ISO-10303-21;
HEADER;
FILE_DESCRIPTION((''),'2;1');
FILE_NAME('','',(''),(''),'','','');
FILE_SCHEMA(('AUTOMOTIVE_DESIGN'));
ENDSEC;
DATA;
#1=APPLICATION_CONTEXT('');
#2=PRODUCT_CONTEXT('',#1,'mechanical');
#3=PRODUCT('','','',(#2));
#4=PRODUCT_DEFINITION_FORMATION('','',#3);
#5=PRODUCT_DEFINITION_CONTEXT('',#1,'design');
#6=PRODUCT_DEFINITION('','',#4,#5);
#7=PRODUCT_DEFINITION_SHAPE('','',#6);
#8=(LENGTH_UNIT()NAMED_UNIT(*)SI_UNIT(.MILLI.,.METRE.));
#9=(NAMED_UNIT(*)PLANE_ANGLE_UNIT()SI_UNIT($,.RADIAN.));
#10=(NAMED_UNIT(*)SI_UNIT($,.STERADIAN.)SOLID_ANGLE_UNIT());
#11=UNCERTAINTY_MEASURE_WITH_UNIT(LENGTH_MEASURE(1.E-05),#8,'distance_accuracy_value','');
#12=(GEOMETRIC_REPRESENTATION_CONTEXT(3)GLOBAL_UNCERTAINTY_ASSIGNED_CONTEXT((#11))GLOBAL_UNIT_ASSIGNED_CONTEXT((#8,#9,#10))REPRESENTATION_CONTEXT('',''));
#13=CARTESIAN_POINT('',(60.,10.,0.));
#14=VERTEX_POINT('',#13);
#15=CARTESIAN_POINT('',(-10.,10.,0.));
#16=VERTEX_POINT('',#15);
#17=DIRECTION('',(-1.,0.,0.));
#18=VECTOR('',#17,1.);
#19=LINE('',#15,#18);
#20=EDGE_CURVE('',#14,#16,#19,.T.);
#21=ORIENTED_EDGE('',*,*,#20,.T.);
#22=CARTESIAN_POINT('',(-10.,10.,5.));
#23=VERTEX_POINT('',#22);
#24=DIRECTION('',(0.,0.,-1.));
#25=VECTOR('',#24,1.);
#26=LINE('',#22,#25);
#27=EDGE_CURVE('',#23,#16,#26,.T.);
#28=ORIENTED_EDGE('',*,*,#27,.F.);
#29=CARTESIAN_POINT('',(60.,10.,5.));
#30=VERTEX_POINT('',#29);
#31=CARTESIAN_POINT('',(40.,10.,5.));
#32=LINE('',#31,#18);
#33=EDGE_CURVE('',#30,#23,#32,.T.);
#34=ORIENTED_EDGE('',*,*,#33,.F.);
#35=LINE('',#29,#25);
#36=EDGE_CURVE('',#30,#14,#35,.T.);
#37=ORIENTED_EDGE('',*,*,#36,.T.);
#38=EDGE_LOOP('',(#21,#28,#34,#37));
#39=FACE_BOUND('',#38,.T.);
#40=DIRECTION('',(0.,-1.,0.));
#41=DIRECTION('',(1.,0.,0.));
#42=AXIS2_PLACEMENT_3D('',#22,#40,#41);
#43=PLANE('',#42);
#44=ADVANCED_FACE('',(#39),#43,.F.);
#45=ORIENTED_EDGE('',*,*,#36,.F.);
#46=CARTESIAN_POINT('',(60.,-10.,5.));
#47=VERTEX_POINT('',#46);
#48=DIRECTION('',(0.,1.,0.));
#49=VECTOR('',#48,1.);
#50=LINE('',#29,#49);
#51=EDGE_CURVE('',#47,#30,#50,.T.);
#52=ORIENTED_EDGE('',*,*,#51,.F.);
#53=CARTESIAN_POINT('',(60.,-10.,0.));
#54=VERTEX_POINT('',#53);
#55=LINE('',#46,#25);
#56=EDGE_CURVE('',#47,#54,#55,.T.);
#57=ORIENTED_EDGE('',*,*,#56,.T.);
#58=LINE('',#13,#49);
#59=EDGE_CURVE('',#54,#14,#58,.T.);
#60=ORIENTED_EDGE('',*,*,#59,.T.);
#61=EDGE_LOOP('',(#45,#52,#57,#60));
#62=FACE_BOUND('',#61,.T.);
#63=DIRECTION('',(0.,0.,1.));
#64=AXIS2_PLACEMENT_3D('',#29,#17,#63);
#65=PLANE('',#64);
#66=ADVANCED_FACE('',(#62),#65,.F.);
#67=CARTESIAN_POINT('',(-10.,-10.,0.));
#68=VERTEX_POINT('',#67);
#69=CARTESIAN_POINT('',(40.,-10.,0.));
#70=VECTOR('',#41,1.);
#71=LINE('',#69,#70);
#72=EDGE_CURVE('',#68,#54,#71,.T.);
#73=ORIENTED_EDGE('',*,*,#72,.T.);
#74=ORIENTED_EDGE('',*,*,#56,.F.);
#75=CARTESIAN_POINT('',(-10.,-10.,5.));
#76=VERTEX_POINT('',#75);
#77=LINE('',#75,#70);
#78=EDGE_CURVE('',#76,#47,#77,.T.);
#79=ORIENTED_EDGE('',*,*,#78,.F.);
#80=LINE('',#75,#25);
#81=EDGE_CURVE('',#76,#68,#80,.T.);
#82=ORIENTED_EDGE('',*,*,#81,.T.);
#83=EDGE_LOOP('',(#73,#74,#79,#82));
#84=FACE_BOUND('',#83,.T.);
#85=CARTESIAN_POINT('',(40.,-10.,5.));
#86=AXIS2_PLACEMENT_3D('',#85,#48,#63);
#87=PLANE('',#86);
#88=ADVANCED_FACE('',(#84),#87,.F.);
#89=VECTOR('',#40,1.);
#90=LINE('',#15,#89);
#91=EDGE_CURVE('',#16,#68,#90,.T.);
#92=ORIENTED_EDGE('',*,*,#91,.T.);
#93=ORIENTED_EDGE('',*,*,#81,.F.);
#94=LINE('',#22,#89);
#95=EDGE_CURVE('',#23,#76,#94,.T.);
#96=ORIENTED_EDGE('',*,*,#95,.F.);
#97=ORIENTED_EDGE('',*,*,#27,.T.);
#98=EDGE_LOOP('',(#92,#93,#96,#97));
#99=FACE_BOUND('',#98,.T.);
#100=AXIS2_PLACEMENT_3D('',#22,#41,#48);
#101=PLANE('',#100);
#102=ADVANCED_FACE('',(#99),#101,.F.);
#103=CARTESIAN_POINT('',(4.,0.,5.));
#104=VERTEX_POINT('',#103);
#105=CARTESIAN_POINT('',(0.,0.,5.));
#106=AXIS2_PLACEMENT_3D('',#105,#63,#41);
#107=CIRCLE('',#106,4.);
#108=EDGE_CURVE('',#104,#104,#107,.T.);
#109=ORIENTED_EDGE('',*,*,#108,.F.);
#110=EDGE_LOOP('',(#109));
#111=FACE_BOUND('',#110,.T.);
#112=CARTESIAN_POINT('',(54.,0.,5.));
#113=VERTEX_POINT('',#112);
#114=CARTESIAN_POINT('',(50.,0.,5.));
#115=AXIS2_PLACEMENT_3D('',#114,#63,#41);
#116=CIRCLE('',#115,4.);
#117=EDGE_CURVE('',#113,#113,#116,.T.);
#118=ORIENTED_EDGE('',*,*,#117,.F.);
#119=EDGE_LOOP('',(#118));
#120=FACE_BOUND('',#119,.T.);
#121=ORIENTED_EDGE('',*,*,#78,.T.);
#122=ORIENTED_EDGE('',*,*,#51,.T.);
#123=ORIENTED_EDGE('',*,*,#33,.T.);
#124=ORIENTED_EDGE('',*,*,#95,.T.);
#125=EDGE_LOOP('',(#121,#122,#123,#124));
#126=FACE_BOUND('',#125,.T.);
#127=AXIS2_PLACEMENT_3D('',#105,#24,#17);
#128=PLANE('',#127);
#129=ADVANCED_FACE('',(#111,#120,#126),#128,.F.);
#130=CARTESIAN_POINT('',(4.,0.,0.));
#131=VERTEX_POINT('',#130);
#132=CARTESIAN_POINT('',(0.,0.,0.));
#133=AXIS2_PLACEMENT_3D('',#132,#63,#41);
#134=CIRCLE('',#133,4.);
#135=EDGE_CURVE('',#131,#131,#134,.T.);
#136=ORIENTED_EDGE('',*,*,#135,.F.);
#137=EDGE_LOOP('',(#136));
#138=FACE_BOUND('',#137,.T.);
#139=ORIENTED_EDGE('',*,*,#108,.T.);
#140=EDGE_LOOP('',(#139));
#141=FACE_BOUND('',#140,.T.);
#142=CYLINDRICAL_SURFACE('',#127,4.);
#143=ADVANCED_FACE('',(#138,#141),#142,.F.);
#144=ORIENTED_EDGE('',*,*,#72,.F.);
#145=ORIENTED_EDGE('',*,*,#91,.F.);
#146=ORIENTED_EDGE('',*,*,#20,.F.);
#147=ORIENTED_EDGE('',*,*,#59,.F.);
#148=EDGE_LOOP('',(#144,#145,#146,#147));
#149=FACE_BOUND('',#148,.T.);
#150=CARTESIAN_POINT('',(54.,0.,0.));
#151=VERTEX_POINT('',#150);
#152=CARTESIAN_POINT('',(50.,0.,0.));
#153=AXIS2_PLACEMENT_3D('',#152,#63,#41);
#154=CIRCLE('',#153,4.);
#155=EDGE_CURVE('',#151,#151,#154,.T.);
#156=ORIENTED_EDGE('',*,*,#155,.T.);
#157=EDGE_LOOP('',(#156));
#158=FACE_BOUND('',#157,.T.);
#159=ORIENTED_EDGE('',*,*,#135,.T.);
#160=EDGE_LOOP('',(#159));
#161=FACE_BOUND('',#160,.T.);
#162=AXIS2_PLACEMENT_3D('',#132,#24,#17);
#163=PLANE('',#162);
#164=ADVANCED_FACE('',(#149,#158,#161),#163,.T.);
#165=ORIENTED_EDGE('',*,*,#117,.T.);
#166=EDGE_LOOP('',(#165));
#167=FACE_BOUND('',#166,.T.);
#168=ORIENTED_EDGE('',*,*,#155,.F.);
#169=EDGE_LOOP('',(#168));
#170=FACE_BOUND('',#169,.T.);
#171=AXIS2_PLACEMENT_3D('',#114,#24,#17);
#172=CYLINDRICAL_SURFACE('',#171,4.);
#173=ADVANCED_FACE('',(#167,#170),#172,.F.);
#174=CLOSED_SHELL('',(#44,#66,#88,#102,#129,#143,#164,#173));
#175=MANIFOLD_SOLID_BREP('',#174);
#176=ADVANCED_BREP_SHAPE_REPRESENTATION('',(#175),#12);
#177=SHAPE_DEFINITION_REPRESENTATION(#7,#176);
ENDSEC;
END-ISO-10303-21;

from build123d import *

# Parameters (mm, degrees)
SKETCH_1_R      = 4
EXTRUDE_1_DEPTH = 5


with BuildPart() as part:
    # 草图1 → 凸台-拉伸1 (new body)
    with BuildSketch(Plane.XY):
        Polygon((10, -10), (40, -10), (60, -10), (60, 10), (40, 10), (10, 10), (-10, 10), (-10, -10), align=None)
        Circle(SKETCH_1_R, mode=Mode.SUBTRACT)
        with Locations((50, 0)):
            Circle(SKETCH_1_R, mode=Mode.SUBTRACT)
    extrude(amount=EXTRUDE_1_DEPTH)


solid = part.part
